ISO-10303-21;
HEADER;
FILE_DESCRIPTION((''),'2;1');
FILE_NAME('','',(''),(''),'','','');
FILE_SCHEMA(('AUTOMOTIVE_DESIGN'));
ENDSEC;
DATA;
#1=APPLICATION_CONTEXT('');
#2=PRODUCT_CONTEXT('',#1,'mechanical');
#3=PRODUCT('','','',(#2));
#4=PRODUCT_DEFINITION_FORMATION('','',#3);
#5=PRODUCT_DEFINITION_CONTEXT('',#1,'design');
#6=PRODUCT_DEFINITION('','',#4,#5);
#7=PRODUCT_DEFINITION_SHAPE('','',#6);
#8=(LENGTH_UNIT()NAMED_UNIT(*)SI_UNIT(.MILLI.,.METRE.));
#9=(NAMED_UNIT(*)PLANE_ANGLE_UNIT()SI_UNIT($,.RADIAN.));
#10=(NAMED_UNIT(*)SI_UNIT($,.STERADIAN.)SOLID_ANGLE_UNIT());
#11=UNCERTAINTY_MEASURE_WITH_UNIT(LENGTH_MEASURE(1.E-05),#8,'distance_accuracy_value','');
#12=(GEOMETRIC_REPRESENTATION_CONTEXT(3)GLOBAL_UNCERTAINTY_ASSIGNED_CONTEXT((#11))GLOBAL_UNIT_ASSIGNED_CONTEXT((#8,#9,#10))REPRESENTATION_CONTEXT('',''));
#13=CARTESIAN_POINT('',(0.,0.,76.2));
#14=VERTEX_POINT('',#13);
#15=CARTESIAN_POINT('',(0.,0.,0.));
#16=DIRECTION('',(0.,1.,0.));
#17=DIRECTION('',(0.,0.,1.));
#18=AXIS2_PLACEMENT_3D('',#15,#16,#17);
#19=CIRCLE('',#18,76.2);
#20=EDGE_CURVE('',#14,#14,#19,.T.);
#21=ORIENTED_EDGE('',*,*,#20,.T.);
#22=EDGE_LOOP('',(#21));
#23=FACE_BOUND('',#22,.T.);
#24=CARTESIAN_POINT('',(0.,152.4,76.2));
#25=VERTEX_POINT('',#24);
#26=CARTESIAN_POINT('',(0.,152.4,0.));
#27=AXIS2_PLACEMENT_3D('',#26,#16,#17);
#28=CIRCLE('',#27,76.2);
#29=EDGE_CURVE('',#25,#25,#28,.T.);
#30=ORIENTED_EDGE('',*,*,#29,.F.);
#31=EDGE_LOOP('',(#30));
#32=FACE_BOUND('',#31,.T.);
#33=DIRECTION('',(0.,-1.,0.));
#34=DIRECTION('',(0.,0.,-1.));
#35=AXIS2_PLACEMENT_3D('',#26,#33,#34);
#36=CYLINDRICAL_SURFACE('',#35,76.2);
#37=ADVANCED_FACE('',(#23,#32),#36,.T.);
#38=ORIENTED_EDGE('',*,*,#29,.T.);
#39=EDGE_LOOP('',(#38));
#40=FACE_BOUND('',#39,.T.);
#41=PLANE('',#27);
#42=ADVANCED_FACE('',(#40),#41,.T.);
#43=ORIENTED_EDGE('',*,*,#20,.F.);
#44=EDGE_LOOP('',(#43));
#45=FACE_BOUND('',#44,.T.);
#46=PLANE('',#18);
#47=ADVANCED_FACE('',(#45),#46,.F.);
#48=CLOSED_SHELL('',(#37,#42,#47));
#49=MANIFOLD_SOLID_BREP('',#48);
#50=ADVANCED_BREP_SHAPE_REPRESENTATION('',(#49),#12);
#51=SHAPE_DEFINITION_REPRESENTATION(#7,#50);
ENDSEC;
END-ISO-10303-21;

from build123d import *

# Parameters (mm, degrees)
SKETCH1_R           = 76.2
BOSS_EXTRUDE1_DEPTH = 152.4


with BuildPart() as part:
    # Sketch1 → Boss-Extrude1 (new body)
    with BuildSketch(Plane(origin=(0, 0, 0), x_dir=(1, 0, 0), z_dir=(0, 1, 0))):
        Circle(SKETCH1_R)
    extrude(amount=BOSS_EXTRUDE1_DEPTH)


solid = part.part
